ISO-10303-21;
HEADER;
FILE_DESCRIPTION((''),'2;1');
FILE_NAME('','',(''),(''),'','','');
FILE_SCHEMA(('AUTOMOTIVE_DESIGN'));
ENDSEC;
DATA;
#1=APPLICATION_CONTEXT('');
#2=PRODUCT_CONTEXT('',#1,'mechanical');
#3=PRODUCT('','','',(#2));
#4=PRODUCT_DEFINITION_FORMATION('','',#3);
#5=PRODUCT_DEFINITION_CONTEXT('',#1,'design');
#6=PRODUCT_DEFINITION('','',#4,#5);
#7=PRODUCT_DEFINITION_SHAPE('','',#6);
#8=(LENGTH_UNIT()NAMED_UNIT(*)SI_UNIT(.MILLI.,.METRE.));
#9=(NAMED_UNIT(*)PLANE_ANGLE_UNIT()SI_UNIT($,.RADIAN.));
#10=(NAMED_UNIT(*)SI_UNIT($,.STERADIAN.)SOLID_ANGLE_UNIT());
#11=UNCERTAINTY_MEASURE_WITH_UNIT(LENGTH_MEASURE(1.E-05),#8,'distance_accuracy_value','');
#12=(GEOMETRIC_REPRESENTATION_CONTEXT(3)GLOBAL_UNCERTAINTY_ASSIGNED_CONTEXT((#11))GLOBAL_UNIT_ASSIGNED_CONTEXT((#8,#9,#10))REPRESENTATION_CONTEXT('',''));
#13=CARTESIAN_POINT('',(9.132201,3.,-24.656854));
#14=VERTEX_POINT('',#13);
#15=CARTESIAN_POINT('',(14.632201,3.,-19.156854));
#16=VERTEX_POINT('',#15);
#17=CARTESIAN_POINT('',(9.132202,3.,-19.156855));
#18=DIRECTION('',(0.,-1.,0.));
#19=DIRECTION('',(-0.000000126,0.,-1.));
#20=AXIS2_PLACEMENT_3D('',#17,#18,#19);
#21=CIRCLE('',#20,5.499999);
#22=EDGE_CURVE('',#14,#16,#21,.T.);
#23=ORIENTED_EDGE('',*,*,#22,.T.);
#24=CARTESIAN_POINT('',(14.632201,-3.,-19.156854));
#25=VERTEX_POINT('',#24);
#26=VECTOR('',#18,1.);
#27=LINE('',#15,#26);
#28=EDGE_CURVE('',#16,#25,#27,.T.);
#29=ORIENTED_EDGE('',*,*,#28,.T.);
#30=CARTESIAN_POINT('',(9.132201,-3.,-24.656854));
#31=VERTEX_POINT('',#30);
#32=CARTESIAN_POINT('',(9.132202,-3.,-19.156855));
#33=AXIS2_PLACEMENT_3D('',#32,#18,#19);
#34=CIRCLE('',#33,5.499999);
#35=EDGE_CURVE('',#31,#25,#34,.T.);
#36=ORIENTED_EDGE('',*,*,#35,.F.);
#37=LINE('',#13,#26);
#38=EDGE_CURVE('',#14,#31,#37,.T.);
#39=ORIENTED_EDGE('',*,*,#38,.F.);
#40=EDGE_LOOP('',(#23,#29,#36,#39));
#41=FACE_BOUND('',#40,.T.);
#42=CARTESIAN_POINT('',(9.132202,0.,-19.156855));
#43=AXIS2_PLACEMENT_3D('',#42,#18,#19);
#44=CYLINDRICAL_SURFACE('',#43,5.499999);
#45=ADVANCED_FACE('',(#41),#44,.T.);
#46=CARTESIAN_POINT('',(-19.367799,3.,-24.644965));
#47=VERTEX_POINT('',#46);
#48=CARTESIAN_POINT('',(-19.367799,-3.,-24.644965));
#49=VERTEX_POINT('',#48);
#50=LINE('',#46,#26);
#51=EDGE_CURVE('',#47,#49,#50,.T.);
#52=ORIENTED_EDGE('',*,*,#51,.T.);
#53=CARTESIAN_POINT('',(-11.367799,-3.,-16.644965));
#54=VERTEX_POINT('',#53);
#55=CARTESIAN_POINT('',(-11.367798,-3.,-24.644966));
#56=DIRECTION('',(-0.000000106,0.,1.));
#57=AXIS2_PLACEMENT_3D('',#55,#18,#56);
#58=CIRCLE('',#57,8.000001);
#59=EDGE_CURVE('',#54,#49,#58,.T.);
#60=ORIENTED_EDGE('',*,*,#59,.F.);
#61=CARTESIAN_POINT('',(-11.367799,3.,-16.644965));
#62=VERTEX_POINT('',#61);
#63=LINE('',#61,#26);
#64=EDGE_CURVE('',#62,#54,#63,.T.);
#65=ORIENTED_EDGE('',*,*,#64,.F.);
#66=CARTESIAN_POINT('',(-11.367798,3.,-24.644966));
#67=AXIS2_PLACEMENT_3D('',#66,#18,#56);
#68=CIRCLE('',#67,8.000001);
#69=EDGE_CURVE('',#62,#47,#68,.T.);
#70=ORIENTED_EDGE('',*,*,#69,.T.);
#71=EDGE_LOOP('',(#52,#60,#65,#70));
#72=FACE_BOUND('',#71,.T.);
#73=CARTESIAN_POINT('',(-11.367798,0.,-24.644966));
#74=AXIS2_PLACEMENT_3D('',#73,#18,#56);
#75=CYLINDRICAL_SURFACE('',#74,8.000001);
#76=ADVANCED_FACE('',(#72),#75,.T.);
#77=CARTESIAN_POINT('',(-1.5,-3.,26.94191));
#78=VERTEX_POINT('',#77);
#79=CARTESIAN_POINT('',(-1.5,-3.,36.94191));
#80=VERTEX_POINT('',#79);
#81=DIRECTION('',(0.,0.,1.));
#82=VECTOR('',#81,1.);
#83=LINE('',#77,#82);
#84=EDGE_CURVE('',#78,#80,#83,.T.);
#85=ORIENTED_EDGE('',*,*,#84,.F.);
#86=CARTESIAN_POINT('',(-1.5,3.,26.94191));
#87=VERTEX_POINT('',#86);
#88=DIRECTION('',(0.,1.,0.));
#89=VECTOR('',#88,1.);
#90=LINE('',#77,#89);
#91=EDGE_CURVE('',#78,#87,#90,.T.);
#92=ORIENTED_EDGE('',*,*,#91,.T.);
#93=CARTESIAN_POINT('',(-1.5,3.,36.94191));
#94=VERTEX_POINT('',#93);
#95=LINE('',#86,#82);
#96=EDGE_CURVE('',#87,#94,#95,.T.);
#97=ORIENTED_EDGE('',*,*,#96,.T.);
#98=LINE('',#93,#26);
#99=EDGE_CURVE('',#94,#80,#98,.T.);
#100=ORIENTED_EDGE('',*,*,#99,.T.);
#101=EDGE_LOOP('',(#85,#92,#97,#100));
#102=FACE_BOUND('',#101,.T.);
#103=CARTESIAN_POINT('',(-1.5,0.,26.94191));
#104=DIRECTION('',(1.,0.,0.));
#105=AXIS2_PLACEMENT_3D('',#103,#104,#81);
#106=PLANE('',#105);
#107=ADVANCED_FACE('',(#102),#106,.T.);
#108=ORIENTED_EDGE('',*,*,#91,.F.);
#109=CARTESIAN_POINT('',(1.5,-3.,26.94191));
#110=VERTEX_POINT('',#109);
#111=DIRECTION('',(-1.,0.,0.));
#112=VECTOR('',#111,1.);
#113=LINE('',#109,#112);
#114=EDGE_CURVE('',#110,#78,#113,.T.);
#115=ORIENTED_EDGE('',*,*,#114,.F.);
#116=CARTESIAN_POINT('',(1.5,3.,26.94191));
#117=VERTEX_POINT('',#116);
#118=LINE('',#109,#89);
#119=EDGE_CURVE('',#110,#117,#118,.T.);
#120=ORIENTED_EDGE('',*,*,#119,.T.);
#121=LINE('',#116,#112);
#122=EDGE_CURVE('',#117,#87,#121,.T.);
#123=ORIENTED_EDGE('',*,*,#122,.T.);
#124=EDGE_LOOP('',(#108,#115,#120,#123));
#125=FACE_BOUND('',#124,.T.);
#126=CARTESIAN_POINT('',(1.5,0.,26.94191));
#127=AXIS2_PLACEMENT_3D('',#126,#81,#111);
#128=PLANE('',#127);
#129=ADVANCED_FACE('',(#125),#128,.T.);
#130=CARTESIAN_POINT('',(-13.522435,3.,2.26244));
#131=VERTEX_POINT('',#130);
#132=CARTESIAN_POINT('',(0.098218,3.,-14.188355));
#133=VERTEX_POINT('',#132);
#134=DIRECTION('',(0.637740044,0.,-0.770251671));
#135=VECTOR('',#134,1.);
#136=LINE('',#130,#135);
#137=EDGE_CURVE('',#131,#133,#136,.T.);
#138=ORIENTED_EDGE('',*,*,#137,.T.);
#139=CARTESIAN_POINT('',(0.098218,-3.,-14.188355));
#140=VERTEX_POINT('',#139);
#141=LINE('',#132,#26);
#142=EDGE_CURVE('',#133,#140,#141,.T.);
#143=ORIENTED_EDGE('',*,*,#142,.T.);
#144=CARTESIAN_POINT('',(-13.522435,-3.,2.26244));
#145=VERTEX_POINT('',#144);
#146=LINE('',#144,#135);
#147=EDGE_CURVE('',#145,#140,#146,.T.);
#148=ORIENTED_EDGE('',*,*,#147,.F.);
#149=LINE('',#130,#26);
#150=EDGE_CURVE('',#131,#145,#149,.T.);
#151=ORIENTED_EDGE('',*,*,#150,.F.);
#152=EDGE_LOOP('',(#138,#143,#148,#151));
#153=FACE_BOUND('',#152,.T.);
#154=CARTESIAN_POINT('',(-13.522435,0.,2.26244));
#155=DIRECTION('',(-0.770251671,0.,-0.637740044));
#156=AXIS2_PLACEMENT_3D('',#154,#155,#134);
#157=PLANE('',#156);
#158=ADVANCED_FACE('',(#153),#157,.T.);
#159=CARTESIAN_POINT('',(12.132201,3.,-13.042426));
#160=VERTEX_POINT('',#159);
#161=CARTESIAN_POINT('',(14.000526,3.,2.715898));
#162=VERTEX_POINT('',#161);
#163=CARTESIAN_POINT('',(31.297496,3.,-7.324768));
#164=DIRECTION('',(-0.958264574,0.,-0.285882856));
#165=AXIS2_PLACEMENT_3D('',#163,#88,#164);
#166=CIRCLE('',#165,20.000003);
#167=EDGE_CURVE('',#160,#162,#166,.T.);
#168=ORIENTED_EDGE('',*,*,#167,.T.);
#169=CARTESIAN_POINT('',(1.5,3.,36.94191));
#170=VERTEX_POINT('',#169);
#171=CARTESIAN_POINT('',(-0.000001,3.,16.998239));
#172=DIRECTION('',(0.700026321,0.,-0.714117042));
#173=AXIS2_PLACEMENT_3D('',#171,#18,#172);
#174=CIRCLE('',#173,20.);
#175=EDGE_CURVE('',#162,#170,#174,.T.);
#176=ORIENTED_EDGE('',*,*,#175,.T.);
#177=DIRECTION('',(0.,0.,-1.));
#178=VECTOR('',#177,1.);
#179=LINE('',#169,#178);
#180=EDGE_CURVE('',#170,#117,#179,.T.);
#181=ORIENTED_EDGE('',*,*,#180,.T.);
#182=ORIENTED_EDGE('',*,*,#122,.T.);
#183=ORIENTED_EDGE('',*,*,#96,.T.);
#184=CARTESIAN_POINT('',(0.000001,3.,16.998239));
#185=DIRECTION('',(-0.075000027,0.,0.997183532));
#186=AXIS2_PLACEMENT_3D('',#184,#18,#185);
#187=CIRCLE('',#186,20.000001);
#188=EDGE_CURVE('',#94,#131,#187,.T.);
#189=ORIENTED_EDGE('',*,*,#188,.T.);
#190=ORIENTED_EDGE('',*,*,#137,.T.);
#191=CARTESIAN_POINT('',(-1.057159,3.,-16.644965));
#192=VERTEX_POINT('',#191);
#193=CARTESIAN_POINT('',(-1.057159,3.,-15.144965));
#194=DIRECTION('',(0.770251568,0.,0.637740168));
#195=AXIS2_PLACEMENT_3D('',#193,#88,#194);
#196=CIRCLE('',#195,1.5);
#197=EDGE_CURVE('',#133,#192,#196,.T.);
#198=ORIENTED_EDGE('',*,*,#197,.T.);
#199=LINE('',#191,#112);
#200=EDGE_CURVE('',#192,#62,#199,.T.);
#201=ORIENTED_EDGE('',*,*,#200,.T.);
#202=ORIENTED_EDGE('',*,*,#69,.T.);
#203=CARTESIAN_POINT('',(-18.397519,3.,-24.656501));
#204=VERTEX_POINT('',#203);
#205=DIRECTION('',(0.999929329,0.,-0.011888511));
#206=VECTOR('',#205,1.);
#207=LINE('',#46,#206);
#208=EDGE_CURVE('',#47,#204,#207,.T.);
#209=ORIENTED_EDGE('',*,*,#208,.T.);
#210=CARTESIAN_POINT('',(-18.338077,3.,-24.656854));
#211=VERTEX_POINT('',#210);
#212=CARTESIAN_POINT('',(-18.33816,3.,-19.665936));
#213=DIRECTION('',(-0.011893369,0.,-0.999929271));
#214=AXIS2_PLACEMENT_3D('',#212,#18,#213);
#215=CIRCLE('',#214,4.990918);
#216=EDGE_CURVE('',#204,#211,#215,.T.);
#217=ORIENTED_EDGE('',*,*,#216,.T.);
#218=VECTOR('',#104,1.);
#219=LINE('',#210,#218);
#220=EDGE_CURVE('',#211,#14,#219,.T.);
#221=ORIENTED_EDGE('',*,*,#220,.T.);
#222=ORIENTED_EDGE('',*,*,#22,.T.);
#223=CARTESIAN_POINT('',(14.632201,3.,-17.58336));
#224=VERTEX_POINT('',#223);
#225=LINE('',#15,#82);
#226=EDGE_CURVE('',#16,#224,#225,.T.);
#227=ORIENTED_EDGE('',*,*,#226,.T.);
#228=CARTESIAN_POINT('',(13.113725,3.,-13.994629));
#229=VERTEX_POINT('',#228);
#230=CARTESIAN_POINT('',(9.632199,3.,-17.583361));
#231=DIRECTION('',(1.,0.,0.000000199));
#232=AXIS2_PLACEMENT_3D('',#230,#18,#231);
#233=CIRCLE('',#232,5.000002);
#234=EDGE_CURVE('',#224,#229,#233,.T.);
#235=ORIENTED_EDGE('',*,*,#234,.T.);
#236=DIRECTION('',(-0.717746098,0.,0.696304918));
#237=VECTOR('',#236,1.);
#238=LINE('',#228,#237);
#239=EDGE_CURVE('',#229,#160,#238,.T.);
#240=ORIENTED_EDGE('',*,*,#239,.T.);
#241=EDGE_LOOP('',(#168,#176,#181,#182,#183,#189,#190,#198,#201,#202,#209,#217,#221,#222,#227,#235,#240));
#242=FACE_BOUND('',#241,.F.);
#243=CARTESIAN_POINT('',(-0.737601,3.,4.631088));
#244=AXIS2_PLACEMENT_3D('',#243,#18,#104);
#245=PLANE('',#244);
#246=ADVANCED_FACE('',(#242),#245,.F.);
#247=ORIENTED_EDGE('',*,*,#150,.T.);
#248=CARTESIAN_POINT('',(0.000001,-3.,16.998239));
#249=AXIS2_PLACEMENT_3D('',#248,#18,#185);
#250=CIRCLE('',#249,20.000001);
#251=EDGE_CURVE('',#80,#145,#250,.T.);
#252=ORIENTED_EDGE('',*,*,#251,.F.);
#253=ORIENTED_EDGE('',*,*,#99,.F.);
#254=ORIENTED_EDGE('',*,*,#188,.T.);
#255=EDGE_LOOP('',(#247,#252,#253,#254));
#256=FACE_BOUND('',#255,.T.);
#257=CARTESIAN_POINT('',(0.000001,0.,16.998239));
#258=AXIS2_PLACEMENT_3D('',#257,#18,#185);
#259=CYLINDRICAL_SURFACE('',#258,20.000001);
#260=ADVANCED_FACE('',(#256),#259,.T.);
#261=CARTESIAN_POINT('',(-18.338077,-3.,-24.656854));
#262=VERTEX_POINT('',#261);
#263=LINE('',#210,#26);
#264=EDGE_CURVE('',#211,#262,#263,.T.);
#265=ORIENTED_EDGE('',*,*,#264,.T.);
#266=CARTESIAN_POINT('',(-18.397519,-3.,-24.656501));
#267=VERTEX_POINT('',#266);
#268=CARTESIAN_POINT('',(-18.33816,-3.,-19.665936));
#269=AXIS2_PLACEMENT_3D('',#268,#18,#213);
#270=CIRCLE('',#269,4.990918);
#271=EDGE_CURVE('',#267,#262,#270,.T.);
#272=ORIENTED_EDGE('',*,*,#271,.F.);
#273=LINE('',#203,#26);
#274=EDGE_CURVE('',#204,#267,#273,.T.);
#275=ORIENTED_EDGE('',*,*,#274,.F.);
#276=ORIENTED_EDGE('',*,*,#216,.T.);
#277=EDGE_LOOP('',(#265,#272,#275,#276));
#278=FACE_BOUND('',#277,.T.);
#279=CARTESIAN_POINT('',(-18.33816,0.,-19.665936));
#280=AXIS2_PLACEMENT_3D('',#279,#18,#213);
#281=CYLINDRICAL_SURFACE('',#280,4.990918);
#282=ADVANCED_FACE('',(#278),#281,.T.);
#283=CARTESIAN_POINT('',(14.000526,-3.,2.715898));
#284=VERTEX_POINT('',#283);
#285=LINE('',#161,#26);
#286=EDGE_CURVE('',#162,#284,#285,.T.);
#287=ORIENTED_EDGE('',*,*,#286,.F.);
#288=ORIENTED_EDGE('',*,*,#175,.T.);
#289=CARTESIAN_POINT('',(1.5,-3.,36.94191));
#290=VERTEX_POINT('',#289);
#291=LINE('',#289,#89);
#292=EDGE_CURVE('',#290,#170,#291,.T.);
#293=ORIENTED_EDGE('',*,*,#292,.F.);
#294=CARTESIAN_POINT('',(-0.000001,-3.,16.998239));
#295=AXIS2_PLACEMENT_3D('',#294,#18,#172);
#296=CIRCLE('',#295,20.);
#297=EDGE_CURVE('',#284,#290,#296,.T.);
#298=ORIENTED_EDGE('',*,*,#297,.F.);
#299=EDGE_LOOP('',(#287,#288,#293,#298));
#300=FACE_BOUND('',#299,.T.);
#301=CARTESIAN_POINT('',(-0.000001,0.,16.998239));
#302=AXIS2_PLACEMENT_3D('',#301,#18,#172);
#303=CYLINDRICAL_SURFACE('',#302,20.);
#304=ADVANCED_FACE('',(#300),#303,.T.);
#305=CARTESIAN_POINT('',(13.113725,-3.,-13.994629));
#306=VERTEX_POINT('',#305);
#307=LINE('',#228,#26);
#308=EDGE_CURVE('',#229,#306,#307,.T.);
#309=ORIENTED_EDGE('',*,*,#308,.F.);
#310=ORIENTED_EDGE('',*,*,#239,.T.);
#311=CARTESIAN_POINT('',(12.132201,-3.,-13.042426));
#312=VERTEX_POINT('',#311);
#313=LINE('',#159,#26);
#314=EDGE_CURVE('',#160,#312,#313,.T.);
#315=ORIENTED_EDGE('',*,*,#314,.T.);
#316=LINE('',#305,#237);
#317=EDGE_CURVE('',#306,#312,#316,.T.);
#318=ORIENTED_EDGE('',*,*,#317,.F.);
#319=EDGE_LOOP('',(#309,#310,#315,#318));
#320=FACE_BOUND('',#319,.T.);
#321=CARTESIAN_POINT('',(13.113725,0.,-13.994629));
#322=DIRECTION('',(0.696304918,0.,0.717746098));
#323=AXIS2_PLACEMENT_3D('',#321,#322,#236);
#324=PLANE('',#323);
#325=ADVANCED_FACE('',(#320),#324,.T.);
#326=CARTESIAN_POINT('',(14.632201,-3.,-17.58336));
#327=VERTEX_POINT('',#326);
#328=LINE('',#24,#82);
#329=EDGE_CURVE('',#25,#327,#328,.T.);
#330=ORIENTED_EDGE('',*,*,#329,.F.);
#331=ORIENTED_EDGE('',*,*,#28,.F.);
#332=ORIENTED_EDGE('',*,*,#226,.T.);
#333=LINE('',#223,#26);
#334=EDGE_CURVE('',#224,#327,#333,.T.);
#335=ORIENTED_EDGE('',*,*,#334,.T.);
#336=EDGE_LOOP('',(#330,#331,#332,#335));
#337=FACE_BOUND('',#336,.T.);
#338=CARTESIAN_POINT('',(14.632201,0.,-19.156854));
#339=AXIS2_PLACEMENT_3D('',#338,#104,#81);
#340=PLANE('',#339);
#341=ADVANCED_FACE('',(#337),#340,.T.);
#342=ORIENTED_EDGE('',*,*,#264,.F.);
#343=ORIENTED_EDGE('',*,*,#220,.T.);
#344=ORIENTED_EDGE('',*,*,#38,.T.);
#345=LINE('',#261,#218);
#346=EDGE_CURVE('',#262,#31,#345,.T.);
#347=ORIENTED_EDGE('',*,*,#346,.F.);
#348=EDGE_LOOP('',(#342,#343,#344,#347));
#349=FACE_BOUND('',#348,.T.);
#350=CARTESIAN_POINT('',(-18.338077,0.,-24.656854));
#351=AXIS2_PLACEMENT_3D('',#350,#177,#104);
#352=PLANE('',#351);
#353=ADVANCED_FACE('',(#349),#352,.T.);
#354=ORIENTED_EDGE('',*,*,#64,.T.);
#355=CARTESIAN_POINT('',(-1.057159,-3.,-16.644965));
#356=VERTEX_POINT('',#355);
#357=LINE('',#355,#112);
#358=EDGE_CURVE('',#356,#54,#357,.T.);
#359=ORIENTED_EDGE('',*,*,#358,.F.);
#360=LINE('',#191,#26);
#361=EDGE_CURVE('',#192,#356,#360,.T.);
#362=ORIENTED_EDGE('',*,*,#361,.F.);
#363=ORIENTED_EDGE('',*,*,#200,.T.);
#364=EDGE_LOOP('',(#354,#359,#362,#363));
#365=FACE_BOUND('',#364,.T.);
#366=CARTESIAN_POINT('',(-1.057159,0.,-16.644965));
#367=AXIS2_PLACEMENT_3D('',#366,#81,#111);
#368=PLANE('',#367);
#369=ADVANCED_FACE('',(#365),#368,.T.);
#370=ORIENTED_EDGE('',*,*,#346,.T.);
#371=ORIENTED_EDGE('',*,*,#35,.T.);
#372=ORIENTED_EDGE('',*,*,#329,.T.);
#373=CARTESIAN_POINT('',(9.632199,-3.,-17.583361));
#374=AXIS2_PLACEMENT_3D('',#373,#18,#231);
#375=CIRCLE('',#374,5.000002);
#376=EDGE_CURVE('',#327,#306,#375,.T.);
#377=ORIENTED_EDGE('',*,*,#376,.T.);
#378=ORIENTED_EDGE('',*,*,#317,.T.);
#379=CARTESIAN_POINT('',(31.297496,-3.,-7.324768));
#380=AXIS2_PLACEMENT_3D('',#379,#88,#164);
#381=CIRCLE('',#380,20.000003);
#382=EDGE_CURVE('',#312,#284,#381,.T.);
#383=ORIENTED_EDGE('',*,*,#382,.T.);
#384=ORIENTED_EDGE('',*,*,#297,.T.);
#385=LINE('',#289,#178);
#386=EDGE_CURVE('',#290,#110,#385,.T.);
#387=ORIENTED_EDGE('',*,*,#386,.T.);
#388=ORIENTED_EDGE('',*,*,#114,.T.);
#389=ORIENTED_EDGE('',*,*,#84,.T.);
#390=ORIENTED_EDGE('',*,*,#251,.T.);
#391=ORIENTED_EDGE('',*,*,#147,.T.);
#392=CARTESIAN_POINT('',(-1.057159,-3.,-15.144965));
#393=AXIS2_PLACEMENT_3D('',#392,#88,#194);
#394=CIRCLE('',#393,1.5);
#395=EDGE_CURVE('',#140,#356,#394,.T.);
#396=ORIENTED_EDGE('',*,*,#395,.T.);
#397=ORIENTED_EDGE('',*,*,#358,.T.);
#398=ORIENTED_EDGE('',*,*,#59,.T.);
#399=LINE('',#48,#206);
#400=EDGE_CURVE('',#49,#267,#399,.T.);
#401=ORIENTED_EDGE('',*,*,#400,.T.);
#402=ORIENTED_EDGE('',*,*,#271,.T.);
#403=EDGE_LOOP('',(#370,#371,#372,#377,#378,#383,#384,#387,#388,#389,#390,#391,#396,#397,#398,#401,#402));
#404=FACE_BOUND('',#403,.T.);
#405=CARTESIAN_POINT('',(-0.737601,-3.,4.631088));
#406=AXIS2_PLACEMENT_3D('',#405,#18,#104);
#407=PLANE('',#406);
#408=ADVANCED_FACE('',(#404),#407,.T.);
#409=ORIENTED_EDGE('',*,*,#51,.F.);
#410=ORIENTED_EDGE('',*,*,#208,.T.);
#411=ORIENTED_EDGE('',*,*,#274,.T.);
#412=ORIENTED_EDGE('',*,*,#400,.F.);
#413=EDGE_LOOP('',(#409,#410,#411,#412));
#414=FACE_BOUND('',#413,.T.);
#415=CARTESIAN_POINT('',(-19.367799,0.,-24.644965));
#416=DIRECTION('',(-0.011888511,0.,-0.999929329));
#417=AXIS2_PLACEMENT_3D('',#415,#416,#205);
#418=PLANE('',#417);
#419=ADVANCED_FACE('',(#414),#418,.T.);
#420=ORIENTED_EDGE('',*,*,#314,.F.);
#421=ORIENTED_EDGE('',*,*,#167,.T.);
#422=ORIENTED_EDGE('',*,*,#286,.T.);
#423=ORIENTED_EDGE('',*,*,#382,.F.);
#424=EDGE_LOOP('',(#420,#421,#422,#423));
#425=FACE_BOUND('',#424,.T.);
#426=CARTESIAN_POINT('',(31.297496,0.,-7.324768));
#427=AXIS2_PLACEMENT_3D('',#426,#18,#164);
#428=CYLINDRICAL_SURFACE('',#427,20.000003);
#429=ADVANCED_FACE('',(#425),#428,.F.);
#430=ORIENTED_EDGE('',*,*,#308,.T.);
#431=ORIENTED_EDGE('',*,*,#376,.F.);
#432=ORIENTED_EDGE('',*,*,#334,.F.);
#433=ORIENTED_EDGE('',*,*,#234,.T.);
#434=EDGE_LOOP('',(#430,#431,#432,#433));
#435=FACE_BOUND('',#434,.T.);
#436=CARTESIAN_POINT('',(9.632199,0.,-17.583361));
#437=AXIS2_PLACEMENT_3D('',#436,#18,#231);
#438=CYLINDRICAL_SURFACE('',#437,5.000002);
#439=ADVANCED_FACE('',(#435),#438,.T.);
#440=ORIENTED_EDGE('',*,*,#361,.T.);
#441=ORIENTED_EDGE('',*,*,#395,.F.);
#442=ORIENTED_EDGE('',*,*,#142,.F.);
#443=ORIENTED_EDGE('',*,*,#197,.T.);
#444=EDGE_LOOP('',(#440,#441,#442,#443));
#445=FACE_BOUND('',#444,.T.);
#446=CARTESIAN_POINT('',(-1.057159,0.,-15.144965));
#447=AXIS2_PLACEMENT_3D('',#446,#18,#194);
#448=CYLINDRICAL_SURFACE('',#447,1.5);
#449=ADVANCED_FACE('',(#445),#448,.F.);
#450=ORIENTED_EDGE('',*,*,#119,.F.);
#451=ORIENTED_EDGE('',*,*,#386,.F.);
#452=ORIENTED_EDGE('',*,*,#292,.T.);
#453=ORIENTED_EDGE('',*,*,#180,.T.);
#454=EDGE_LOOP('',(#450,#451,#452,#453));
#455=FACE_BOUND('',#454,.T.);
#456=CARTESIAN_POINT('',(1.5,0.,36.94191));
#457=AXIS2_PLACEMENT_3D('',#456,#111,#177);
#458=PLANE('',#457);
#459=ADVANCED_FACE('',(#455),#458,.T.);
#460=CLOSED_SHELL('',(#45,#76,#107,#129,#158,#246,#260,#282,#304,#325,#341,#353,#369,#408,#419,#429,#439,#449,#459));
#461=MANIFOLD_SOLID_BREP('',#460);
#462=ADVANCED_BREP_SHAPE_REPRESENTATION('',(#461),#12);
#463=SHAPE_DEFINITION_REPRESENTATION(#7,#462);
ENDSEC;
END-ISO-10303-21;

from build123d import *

# Parameters (mm, degrees)
F1_DEPTH      = 3
F1_DEPTH_BACK = 3


with BuildPart() as f1:
    # F0 (on Front) → F1 (new body, two sides)
    with BuildSketch(Plane.XZ) as f1_sk:
        with BuildLine():
            Line((-1.5, 26.94191), (-1.5, 36.94191))
            ThreePointArc((-1.5, 36.94191), (-18.896687, 23.54921), (-13.522435, 2.26244))
            Line((-13.522435, 2.26244), (0.098218, -14.188355))
            ThreePointArc((0.098218, -14.188355), (0.300212, -15.783356), (-1.057159, -16.644965))
            Line((-1.057159, -16.644965), (-11.367799, -16.644965))
            ThreePointArc((-11.367799, -16.644965), (-17.024653, -18.988111), (-19.367799, -24.644965))
            Line((-19.367799, -24.644965), (-18.397519, -24.656501))
            ThreePointArc((-18.397519, -24.656501), (-18.367798, -24.656766), (-18.338077, -24.656854))
            Line((-18.338077, -24.656854), (9.132201, -24.656854))
            ThreePointArc((9.132201, -24.656854), (13.021288, -23.045942), (14.632201, -19.156854))
            Line((14.632201, -19.156854), (14.632201, -17.58336))
            ThreePointArc((14.632201, -17.58336), (14.23696, -15.634978), (13.113725, -13.994629))
            Line((13.113725, -13.994629), (12.132201, -13.042426))
            ThreePointArc((12.132201, -13.042426), (11.436595, -4.970037), (14.000526, 2.715898))
            ThreePointArc((14.000526, 2.715898), (18.786206, 23.859613), (1.5, 36.94191))
            Line((1.5, 36.94191), (1.5, 26.94191))
            Line((1.5, 26.94191), (-1.5, 26.94191))
        make_face()
    extrude(amount=F1_DEPTH)
    extrude(f1_sk.sketch, amount=-F1_DEPTH_BACK)


solid = f1.part
